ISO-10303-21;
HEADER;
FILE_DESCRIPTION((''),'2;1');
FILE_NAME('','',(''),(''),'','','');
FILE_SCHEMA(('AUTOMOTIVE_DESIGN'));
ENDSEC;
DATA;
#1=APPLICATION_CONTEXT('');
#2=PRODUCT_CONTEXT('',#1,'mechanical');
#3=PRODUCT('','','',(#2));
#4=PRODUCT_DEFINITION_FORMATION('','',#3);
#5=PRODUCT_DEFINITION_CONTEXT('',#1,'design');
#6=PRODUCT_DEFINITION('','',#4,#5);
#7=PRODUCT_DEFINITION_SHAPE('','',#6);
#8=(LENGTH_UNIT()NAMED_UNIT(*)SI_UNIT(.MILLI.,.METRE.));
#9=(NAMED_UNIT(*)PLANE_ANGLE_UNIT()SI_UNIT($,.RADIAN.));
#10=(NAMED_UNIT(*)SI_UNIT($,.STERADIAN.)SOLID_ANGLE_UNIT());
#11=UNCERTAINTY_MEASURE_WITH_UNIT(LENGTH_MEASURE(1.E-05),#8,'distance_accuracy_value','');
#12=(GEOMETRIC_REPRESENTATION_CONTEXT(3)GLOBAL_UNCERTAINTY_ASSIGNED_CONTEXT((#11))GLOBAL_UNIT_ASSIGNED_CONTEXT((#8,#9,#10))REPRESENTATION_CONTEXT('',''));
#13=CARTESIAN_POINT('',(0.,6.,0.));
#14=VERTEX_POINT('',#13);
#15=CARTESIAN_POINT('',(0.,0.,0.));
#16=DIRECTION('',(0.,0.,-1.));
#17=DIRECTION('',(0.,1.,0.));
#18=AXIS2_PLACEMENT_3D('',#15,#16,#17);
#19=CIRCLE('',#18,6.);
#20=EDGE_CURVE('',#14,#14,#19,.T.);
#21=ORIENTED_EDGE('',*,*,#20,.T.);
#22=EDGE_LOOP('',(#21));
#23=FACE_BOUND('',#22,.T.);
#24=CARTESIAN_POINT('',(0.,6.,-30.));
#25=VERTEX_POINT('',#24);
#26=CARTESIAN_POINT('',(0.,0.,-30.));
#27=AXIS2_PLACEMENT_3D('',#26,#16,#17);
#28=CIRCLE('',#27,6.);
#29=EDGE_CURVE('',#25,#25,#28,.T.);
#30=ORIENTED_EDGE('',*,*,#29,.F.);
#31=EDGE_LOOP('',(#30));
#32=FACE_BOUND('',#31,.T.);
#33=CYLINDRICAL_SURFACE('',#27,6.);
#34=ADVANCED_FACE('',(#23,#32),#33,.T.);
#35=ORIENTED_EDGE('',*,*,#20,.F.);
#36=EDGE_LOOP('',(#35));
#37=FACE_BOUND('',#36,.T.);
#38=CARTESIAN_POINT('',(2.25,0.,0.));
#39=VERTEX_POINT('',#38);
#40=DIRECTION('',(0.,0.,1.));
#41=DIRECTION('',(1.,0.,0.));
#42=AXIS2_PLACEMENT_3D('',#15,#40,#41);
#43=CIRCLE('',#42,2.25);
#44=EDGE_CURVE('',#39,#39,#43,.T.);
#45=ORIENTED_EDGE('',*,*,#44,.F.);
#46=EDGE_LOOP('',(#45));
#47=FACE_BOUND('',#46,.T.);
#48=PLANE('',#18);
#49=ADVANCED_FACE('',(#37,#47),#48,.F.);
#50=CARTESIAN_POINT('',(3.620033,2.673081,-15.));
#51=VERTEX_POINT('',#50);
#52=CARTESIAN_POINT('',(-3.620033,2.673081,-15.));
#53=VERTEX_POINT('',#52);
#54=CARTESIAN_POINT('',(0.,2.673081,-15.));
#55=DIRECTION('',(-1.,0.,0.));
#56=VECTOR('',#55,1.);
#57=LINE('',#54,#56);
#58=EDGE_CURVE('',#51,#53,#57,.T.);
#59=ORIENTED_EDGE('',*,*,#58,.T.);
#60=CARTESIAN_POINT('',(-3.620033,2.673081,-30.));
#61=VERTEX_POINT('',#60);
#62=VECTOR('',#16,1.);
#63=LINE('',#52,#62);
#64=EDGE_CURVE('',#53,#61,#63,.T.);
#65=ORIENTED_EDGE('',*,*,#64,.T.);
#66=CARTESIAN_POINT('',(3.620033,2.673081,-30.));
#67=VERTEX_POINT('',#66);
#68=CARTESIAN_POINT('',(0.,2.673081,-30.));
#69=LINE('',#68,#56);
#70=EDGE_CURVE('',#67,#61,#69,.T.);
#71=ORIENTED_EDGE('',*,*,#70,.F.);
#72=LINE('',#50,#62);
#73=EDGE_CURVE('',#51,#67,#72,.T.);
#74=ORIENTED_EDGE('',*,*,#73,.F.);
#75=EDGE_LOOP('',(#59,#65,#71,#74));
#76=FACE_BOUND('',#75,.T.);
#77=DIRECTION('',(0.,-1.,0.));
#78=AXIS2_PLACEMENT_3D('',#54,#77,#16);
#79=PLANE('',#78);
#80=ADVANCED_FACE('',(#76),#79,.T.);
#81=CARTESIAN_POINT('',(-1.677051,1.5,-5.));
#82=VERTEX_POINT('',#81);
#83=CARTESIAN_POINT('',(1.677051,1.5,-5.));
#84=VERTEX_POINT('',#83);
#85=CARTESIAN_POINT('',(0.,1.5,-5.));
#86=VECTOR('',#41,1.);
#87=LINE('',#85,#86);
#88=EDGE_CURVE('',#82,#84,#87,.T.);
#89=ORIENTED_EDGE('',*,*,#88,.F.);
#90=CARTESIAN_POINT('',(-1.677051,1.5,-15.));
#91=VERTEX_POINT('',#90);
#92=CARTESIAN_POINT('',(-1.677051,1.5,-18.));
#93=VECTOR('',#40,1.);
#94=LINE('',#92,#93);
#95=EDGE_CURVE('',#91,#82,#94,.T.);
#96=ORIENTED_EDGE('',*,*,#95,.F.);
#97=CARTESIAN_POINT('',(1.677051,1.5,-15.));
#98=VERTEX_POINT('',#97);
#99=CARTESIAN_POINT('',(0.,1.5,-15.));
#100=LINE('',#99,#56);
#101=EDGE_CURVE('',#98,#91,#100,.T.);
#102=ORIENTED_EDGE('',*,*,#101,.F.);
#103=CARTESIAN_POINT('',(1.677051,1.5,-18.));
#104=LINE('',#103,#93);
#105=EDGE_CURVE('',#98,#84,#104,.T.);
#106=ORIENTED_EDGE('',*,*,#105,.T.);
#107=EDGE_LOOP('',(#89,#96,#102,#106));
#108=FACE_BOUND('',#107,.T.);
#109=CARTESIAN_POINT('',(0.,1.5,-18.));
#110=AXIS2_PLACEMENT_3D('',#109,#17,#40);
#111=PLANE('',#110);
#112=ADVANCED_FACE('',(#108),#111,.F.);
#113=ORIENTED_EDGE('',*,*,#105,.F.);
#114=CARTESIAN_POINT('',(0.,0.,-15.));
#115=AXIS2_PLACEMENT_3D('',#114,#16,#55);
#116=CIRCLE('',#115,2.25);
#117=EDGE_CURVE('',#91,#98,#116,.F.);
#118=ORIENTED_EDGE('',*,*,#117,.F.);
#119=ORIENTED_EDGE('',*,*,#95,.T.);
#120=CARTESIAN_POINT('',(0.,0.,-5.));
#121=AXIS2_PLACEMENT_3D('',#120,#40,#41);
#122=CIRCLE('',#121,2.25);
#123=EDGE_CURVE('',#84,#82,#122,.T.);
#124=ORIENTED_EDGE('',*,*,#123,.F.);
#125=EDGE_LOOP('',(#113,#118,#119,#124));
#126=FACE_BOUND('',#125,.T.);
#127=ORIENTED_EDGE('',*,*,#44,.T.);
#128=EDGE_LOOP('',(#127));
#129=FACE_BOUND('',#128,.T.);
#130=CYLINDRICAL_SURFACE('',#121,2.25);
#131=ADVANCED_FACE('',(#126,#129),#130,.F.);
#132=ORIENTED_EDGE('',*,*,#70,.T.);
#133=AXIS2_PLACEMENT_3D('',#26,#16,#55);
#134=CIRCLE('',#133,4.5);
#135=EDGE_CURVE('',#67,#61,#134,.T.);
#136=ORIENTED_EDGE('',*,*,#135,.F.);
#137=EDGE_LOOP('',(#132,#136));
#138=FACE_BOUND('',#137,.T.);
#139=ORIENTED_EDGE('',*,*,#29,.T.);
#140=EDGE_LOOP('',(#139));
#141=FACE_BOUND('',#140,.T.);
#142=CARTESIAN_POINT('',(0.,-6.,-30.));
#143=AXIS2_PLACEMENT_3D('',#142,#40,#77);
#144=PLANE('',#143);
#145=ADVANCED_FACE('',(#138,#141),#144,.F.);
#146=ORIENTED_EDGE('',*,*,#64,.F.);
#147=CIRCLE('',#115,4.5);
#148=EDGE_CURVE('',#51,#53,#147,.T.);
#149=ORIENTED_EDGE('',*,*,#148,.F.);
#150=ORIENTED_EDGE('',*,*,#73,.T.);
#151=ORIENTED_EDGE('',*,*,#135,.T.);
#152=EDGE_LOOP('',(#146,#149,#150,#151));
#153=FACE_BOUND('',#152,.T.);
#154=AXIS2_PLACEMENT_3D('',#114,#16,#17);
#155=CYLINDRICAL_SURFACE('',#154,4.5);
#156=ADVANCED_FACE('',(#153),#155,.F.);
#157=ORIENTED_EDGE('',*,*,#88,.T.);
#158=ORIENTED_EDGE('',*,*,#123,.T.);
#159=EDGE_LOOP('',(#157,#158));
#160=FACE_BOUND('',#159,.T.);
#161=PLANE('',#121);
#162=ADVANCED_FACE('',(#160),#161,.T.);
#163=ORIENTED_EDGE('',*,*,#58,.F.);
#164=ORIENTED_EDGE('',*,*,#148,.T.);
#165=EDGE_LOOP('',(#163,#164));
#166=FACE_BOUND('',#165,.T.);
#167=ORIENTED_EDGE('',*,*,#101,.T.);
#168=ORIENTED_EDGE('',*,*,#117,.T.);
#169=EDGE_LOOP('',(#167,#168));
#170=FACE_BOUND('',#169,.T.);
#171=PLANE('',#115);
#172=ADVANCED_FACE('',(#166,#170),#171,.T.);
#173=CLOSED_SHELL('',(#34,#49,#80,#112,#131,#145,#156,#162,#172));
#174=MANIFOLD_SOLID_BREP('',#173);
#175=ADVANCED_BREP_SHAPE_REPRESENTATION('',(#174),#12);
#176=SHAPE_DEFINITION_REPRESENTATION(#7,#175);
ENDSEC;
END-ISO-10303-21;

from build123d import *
from build123d.topology import SkipClean

# Parameters (mm, degrees)
ESQUISSE1_W             = 30
ESQUISSE1_H             = 6
ENL_V_MAT_EXTRU_4_DEPTH = 5
ENL_V_MAT_EXTRU_5_DEPTH = 18
ENL_V_MAT_EXTRU_6_DEPTH = 15


with BuildPart() as part:
    # Esquisse1 → Révolution1 (revolve)
    with BuildSketch(Plane(origin=(0, 0, 0), x_dir=(0, 0, -1), z_dir=(1, 0, 0)), mode=Mode.PRIVATE) as r_volution1_sk:
        with Locations((15, -3)):
            Rectangle(ESQUISSE1_W, ESQUISSE1_H)
    revolve(r_volution1_sk.sketch.rotate(Axis((0, 0, -30), (0, 0, 1)), 180), axis=Axis((0, 0, -30), (0, 0, 1)))

    # Esquisse2 → Enlèv. mat.-Extru.4 (cut)
    with BuildSketch(Plane.XY):
        with BuildLine():
            Line((-1.677050983, 1.5), (0, 1.5))
            Line((0, 1.5), (1.677050983, 1.5))
            ThreePointArc((1.677050983, 1.5), (0, 2.25), (-1.677050983, 1.5))
        make_face()
    extrude(amount=-ENL_V_MAT_EXTRU_4_DEPTH, mode=Mode.SUBTRACT)

    # Esquisse5 → Enlèv. mat.-Extru.5 (cut)
    with SkipClean():  # the faces are left unmerged after this step: merging them gives an invalid solid
        with BuildSketch(Plane.XY):
            with BuildLine():
                Line((-1.677050983, 1.5), (1.677050983, 1.5))
                ThreePointArc((1.677050983, 1.5), (0, -2.25), (-1.677050983, 1.5))
            make_face()
        extrude(amount=-ENL_V_MAT_EXTRU_5_DEPTH, mode=Mode.SUBTRACT)

    # Esquisse3 → Enlèv. mat.-Extru.6 (cut)
    with BuildSketch(Plane(origin=(0, 0, -30), x_dir=(-1, 0, 0), z_dir=(0, 0, -1))):
        with BuildLine():
            Line((3.620032518, 2.673081474), (-3.620032518, 2.673081474))
            ThreePointArc((-3.620032518, 2.673081474), (-1.407098729, -4.274350613), (4.5, 0))
            ThreePointArc((4.5, 0), (4.274350613, 1.407098729), (3.620032518, 2.673081474))
        make_face()
    extrude(amount=-ENL_V_MAT_EXTRU_6_DEPTH, mode=Mode.SUBTRACT)


solid = part.part
